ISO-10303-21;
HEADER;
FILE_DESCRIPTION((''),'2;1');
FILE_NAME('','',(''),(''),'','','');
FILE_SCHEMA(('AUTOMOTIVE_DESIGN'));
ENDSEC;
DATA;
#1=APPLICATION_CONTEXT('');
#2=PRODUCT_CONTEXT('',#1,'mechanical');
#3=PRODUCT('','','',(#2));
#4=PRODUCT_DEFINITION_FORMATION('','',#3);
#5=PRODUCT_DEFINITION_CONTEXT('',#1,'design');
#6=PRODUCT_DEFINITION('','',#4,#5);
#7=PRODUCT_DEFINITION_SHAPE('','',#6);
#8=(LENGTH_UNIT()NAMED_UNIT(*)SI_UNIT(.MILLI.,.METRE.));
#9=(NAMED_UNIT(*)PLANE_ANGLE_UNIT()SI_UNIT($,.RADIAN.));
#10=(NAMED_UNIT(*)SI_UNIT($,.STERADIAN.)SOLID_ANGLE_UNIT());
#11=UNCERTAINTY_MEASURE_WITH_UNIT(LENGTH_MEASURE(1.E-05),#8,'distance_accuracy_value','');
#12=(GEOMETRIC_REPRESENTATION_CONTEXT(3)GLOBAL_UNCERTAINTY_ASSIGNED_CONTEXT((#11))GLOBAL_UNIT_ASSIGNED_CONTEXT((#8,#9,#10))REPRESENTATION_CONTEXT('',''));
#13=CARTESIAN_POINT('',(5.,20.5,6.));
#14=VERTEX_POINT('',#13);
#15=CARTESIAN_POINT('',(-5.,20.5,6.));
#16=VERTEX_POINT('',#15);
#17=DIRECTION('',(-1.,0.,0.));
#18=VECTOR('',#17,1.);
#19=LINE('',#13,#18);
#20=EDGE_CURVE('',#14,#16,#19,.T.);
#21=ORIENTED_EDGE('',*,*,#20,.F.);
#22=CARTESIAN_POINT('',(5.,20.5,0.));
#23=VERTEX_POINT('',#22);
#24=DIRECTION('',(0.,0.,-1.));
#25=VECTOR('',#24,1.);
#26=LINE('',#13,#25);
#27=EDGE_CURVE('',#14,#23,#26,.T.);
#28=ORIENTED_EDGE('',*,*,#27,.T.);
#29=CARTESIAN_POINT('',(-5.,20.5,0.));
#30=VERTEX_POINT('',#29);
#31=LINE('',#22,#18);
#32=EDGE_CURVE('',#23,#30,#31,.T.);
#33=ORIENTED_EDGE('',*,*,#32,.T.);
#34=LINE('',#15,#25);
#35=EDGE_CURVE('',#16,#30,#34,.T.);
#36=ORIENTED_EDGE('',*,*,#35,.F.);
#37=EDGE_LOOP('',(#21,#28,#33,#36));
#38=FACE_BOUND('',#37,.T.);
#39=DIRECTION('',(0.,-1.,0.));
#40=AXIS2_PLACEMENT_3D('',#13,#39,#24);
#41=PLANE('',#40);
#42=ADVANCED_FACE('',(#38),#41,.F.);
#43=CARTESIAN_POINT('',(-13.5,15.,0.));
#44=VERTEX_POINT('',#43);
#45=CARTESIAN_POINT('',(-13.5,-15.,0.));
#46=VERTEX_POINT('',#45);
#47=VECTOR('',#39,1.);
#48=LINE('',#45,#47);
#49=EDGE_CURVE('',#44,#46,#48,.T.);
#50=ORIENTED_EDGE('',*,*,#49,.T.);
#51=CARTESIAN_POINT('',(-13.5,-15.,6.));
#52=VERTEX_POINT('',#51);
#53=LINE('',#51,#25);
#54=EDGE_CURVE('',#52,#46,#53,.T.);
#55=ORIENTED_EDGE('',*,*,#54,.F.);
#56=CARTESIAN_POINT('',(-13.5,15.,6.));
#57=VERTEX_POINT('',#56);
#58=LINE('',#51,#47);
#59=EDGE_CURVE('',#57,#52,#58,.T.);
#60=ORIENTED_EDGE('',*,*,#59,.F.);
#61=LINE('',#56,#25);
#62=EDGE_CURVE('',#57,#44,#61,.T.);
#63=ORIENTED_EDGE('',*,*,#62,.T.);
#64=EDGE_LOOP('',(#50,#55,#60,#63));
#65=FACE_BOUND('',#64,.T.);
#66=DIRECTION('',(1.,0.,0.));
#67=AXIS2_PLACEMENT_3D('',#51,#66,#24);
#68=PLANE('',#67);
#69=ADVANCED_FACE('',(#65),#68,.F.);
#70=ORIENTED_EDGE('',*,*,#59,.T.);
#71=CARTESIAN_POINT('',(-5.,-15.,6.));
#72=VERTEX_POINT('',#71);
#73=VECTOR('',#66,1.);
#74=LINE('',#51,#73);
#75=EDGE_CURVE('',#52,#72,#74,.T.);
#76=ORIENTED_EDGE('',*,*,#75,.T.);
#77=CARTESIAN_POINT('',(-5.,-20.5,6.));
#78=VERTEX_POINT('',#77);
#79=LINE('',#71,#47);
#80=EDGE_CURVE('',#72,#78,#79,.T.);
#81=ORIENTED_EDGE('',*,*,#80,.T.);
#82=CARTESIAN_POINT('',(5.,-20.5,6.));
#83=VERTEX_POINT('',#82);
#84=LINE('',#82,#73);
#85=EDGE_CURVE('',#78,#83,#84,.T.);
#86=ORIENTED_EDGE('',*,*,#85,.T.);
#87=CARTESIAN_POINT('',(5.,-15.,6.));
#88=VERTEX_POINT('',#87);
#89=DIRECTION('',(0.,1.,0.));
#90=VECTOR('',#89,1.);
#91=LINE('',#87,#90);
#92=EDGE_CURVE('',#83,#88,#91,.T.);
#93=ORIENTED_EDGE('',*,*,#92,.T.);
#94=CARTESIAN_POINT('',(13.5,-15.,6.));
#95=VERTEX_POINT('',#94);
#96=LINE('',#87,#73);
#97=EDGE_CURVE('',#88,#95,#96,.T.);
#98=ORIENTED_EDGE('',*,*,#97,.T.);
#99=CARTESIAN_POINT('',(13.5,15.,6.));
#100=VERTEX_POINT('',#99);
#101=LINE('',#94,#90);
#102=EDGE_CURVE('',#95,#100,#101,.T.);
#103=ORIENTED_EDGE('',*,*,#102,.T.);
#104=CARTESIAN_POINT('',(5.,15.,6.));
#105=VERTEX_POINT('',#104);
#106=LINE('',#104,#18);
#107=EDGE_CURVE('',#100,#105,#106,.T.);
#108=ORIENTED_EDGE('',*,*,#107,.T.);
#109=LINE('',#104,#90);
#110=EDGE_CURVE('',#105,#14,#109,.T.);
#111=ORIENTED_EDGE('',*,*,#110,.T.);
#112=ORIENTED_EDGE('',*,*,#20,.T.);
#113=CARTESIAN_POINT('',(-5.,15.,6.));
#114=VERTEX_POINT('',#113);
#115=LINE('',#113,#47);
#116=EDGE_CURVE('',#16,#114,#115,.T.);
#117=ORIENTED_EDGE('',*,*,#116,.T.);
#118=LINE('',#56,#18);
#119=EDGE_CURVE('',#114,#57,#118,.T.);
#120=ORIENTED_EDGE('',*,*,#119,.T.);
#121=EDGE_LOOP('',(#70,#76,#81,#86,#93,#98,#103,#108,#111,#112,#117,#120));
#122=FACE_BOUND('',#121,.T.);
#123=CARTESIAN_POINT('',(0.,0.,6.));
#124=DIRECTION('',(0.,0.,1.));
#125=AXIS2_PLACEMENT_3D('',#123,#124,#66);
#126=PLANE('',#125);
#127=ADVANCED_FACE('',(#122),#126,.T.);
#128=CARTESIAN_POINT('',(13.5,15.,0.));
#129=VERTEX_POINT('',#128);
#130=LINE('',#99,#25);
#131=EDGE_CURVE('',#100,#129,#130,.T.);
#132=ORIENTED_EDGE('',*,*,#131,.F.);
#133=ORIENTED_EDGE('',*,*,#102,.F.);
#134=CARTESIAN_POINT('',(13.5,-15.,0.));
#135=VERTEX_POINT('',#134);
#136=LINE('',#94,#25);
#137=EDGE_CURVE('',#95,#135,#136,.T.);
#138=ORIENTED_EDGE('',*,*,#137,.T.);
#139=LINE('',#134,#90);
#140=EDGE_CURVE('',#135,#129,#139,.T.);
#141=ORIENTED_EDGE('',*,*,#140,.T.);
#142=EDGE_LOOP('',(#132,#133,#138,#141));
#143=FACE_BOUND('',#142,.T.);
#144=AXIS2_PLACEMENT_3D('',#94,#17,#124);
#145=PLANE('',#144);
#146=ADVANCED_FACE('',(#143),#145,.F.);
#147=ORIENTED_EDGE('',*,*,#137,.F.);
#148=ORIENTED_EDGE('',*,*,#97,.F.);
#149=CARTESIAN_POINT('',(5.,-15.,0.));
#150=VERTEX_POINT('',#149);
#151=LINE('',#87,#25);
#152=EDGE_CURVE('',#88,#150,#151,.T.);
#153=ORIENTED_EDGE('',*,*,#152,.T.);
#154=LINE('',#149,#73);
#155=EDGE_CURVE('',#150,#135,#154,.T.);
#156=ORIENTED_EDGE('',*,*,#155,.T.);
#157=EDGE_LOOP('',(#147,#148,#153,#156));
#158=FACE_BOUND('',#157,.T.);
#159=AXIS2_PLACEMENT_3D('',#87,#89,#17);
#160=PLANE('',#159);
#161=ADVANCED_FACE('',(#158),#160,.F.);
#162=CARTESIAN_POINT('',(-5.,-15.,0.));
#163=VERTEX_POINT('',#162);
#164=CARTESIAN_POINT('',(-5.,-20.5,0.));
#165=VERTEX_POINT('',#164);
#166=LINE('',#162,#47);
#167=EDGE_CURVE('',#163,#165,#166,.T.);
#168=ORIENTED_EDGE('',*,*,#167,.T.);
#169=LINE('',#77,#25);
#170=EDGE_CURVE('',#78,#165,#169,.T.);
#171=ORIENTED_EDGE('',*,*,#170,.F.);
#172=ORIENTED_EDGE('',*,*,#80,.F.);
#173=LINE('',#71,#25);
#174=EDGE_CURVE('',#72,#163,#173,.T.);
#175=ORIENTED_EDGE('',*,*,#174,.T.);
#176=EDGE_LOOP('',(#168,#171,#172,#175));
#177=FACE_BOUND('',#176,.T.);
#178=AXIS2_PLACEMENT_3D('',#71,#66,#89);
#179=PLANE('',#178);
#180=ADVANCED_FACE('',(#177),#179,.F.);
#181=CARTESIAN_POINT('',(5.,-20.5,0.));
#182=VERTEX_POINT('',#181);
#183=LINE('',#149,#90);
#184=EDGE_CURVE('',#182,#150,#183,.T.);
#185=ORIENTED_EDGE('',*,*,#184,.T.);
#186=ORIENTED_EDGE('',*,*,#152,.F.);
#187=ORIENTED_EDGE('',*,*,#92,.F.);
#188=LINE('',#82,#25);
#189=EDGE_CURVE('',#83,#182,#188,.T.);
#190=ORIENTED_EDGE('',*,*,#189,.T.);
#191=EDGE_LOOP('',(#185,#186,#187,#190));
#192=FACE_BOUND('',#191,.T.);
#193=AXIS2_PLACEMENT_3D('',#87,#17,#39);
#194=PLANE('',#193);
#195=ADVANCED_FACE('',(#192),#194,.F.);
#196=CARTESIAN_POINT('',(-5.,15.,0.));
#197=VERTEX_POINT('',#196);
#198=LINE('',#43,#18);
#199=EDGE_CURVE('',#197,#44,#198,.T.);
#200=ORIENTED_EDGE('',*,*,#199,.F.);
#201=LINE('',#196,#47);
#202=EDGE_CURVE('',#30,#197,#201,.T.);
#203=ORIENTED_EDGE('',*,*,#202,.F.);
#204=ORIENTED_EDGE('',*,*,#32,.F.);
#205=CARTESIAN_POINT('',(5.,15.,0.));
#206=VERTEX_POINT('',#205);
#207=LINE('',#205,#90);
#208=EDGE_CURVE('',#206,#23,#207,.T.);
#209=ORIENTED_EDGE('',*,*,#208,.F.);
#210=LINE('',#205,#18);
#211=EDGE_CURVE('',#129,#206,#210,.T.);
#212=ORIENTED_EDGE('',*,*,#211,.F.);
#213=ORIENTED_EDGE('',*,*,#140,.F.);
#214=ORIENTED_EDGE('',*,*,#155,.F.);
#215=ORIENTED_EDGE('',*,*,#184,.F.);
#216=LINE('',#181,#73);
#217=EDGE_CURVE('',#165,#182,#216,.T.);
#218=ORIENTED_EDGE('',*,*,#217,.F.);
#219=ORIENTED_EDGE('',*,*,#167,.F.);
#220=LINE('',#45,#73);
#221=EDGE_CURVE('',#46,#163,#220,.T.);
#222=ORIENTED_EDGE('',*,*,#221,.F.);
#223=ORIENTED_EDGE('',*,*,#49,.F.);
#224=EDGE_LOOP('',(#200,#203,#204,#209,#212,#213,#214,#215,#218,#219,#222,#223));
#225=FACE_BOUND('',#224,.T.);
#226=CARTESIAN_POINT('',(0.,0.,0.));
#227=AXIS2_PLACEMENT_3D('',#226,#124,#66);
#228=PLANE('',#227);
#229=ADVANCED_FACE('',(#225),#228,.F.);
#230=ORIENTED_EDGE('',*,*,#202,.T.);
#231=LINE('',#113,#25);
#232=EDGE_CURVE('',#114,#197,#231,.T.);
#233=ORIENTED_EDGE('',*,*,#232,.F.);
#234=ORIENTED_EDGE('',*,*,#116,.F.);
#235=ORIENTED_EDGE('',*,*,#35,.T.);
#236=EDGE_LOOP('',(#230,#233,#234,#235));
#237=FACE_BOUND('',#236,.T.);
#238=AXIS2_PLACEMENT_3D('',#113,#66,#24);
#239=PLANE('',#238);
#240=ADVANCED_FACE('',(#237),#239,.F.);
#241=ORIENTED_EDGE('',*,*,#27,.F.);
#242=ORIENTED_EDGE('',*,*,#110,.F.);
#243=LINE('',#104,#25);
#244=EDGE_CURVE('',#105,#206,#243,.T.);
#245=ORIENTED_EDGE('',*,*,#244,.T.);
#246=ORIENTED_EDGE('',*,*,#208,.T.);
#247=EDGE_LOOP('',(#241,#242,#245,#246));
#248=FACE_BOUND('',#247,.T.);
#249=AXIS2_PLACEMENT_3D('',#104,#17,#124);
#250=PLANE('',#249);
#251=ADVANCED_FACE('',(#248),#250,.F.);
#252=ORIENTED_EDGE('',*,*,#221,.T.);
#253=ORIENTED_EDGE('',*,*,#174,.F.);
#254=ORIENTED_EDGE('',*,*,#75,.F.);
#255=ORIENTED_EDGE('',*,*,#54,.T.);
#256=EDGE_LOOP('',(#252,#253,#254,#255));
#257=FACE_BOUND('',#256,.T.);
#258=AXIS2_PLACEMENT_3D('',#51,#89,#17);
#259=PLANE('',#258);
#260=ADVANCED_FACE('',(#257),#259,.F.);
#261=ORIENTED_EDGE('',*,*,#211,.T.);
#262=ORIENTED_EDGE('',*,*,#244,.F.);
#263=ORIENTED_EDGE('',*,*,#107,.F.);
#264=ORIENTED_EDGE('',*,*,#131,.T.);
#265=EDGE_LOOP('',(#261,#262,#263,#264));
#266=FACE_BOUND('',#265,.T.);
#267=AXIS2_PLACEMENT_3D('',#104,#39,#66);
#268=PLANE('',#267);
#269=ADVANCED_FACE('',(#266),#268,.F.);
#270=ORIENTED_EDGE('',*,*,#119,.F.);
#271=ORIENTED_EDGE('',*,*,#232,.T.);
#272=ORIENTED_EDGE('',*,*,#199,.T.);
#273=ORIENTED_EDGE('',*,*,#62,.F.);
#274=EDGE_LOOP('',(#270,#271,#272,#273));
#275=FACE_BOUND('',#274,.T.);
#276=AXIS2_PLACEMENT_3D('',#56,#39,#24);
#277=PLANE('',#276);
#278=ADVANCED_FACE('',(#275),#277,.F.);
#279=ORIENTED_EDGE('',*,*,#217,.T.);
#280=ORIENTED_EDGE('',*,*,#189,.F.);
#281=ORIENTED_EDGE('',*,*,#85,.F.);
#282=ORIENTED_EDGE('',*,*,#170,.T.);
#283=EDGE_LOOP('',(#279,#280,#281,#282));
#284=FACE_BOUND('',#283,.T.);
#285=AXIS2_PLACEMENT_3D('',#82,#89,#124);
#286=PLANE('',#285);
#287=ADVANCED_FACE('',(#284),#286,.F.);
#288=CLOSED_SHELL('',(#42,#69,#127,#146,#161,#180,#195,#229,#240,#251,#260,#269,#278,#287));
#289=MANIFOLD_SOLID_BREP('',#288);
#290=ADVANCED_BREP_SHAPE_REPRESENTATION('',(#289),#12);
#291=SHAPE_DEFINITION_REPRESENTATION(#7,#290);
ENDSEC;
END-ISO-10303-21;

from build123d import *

# Parameters (mm, degrees)
BOSS_EXTRUDE1_DEPTH = 6


with BuildPart() as part:
    # Sketch1 → Boss-Extrude1 (new body)
    with BuildSketch(Plane.XY):
        Polygon((5, -15), (13.5, -15), (13.5, 15), (5, 15), (5, 20.5), (-5, 20.5), (-5, 15), (-13.5, 15), (-13.5, -15), (-5, -15), (-5, -20.5), (5, -20.5), align=None)
    extrude(amount=BOSS_EXTRUDE1_DEPTH)


solid = part.part
